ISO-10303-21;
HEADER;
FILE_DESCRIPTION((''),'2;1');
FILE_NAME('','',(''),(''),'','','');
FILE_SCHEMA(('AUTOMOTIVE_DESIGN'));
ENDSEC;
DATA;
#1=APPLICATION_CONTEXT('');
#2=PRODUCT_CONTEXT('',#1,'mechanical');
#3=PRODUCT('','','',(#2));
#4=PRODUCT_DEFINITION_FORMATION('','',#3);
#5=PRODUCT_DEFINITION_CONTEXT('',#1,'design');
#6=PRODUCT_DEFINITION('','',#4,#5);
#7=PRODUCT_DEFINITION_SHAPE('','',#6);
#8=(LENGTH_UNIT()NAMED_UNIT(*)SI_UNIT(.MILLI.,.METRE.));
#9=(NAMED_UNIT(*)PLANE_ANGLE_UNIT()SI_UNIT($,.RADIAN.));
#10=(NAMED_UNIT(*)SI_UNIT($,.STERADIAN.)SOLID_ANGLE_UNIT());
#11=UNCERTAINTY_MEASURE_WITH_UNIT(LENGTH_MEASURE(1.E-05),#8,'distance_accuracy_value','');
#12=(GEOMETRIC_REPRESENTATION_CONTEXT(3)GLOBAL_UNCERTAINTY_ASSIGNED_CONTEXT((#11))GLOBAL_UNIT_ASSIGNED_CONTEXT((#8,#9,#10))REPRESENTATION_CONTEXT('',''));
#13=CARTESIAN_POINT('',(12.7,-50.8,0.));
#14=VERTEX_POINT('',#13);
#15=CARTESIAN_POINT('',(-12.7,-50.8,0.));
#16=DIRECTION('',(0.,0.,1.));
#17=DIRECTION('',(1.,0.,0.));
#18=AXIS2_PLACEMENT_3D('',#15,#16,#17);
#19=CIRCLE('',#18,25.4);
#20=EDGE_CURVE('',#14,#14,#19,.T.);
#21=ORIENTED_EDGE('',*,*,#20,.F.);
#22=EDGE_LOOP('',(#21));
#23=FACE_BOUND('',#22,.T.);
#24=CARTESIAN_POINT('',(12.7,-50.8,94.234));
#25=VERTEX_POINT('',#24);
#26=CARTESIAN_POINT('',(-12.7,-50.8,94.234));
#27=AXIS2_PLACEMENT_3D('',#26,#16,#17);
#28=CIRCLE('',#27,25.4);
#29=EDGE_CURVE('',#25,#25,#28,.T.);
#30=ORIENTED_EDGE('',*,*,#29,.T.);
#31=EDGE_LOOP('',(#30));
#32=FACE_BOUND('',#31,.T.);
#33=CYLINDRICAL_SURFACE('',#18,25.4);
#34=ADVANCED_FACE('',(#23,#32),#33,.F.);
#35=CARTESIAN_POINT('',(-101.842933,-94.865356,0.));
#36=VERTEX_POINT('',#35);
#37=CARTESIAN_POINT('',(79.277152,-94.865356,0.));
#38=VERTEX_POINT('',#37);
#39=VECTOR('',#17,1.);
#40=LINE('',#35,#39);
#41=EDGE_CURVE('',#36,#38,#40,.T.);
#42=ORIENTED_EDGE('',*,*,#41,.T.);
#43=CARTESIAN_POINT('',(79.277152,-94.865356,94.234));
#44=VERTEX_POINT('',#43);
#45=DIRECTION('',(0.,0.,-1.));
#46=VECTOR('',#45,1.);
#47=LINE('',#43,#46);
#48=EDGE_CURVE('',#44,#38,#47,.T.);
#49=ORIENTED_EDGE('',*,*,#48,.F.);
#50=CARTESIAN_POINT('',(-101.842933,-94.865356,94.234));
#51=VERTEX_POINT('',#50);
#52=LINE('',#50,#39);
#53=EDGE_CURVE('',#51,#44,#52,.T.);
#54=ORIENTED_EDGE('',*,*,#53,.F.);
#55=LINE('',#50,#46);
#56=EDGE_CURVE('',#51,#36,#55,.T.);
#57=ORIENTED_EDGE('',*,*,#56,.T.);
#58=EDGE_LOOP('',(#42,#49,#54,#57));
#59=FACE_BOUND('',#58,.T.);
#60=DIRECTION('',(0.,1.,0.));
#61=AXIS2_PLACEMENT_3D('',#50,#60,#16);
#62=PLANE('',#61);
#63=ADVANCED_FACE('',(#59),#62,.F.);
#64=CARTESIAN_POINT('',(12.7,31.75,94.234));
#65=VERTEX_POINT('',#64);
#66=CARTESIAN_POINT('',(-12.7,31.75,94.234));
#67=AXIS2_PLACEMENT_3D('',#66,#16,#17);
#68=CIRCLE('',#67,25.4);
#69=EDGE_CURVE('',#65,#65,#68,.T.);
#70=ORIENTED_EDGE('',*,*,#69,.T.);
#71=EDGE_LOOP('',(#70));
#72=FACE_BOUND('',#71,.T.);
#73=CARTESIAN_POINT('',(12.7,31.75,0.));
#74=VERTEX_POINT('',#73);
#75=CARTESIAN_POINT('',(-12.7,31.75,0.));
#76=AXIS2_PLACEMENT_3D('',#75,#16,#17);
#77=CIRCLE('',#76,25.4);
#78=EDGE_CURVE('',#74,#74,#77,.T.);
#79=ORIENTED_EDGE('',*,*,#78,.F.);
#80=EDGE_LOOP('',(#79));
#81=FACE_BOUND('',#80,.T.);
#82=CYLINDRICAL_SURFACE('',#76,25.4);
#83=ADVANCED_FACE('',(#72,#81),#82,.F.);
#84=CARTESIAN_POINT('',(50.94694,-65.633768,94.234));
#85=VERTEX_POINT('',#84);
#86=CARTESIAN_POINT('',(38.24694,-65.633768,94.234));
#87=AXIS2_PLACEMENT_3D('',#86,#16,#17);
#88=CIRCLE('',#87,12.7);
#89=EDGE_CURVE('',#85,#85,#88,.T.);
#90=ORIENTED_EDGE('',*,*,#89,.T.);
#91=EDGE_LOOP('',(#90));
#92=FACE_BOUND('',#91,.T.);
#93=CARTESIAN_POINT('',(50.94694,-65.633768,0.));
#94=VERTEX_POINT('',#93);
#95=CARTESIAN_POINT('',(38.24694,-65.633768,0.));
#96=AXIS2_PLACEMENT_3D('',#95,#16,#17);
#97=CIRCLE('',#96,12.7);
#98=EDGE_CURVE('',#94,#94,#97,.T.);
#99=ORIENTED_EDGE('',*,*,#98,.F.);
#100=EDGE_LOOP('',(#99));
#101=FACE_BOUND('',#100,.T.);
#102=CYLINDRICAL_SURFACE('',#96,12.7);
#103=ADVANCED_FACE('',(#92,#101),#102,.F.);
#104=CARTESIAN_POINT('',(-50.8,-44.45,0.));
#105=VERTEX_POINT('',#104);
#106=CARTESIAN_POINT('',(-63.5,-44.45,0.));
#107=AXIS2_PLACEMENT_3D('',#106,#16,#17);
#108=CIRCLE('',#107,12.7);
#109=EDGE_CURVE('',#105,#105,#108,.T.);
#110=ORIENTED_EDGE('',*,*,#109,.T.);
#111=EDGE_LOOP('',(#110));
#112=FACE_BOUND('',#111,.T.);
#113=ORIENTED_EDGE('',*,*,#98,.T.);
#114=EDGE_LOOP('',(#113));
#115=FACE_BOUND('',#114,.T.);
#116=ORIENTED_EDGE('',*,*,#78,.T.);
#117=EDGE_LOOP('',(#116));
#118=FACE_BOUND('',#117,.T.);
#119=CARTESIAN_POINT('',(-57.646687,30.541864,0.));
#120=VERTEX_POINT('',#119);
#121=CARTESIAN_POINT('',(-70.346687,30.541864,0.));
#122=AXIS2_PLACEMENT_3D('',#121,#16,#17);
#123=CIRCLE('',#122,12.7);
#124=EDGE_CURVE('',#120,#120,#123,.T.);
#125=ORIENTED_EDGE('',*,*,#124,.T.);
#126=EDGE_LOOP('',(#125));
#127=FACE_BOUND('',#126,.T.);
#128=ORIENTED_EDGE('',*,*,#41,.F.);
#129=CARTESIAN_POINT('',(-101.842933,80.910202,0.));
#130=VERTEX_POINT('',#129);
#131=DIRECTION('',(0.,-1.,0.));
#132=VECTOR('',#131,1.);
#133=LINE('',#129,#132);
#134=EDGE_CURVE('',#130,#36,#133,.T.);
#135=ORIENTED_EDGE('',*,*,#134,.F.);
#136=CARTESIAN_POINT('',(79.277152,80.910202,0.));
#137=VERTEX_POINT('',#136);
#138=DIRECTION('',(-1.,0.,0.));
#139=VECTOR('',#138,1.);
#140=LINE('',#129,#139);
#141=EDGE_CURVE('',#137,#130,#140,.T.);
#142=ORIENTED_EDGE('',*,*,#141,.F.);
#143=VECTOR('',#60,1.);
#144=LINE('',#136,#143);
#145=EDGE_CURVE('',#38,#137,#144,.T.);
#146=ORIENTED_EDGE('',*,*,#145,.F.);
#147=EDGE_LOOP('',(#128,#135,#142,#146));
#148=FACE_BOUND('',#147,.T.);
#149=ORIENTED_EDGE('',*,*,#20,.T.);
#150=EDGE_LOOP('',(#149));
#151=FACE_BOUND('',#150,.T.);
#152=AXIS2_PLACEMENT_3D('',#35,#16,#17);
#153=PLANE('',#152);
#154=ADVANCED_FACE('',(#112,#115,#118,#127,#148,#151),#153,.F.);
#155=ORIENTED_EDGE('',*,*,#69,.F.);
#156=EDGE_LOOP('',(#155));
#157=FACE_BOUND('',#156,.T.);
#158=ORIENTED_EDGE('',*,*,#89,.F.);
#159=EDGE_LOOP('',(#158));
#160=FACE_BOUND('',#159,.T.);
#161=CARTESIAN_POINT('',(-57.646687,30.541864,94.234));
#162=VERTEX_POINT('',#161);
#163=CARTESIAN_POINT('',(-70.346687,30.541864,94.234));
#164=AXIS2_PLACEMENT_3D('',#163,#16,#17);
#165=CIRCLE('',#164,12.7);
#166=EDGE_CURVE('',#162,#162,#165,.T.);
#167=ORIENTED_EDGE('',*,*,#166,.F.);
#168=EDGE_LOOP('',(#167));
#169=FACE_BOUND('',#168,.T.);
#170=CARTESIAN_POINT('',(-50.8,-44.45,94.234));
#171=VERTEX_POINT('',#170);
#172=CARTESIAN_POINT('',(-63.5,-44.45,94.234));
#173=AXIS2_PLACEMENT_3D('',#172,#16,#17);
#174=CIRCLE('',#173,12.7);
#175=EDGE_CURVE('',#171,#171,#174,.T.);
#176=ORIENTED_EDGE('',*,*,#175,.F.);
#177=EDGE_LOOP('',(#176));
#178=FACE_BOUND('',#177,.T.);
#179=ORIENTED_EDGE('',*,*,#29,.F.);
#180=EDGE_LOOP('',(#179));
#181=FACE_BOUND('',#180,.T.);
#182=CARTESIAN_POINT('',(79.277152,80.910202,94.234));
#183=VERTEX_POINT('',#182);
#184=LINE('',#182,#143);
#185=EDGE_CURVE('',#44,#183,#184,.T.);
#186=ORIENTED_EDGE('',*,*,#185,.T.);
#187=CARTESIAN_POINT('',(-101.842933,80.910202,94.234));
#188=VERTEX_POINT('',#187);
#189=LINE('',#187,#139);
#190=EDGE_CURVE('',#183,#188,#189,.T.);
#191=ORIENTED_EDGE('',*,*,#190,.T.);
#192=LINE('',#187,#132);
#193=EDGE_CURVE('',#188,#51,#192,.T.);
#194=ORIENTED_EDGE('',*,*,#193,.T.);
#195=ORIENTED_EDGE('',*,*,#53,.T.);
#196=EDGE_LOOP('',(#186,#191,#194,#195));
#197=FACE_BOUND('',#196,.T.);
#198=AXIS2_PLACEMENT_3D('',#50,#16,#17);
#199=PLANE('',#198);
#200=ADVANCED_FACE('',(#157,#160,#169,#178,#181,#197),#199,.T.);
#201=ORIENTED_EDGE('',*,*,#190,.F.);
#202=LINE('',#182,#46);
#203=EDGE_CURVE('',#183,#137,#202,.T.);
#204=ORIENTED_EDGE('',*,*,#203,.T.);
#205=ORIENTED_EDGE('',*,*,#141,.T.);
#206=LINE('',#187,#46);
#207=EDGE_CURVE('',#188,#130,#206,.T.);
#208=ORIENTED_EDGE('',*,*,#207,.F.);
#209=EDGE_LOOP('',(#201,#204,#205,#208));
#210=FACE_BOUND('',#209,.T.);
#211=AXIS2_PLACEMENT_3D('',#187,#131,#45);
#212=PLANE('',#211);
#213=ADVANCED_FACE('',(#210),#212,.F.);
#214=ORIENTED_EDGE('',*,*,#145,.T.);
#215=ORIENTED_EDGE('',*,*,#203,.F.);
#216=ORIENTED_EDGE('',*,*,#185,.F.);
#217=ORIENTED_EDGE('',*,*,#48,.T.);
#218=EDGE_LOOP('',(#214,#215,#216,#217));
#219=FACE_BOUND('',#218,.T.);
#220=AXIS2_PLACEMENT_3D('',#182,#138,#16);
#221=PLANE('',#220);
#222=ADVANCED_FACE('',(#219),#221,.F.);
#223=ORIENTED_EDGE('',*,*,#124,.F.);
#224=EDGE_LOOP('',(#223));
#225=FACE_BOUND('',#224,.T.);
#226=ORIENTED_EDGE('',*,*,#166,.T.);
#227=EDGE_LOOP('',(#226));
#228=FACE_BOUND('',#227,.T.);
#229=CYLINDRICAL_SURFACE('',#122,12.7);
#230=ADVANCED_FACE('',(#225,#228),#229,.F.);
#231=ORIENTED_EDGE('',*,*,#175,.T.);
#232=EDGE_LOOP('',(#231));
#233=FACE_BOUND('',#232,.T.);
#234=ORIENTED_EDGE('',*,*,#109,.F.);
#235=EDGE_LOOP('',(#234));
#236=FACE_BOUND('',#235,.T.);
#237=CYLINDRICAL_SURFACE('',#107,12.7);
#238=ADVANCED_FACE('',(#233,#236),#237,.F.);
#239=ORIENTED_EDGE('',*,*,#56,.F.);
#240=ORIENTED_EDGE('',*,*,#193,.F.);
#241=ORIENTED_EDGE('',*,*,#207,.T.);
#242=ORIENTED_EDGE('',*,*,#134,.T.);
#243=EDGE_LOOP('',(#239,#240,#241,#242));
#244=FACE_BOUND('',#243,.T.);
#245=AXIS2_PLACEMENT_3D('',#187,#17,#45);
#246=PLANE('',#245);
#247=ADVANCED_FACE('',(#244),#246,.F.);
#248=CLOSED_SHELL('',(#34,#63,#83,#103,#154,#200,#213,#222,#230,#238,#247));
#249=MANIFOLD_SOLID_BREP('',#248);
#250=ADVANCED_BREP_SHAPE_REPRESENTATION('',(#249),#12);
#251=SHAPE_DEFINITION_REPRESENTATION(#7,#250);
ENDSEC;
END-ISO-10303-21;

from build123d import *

# Parameters (mm, degrees)
SKETCH1_W      = 181.120085016
SKETCH1_H      = 175.775557917
EXTRUDE1_DEPTH = 94.234
SKETCH2_R      = 12.7
SKETCH2_R_2    = 25.4
EXTRUDE2_DEPTH = 169.081722796


with BuildPart() as part:
    # Sketch1 → Extrude1 (new body)
    with BuildSketch(Plane.XY):
        with Locations((-11.282890542, -6.977577045)):
            Rectangle(SKETCH1_W, SKETCH1_H)
    extrude(amount=EXTRUDE1_DEPTH)

    # Sketch2 → Extrude2 (cut, through all)
    with BuildSketch(Plane.XY.offset(94.234)):
        with Locations((-70.346687476, 30.541863944)):
            Circle(SKETCH2_R)
        with Locations((38.246940246, -65.633767766)):
            Circle(SKETCH2_R)
        with Locations((-63.5, -44.45)):
            Circle(SKETCH2_R)
        with Locations((-12.7, 31.75)):
            Circle(SKETCH2_R_2)
        with Locations((-12.7, -50.8)):
            Circle(SKETCH2_R_2)
    extrude(amount=-EXTRUDE2_DEPTH, mode=Mode.SUBTRACT)


solid = part.part
